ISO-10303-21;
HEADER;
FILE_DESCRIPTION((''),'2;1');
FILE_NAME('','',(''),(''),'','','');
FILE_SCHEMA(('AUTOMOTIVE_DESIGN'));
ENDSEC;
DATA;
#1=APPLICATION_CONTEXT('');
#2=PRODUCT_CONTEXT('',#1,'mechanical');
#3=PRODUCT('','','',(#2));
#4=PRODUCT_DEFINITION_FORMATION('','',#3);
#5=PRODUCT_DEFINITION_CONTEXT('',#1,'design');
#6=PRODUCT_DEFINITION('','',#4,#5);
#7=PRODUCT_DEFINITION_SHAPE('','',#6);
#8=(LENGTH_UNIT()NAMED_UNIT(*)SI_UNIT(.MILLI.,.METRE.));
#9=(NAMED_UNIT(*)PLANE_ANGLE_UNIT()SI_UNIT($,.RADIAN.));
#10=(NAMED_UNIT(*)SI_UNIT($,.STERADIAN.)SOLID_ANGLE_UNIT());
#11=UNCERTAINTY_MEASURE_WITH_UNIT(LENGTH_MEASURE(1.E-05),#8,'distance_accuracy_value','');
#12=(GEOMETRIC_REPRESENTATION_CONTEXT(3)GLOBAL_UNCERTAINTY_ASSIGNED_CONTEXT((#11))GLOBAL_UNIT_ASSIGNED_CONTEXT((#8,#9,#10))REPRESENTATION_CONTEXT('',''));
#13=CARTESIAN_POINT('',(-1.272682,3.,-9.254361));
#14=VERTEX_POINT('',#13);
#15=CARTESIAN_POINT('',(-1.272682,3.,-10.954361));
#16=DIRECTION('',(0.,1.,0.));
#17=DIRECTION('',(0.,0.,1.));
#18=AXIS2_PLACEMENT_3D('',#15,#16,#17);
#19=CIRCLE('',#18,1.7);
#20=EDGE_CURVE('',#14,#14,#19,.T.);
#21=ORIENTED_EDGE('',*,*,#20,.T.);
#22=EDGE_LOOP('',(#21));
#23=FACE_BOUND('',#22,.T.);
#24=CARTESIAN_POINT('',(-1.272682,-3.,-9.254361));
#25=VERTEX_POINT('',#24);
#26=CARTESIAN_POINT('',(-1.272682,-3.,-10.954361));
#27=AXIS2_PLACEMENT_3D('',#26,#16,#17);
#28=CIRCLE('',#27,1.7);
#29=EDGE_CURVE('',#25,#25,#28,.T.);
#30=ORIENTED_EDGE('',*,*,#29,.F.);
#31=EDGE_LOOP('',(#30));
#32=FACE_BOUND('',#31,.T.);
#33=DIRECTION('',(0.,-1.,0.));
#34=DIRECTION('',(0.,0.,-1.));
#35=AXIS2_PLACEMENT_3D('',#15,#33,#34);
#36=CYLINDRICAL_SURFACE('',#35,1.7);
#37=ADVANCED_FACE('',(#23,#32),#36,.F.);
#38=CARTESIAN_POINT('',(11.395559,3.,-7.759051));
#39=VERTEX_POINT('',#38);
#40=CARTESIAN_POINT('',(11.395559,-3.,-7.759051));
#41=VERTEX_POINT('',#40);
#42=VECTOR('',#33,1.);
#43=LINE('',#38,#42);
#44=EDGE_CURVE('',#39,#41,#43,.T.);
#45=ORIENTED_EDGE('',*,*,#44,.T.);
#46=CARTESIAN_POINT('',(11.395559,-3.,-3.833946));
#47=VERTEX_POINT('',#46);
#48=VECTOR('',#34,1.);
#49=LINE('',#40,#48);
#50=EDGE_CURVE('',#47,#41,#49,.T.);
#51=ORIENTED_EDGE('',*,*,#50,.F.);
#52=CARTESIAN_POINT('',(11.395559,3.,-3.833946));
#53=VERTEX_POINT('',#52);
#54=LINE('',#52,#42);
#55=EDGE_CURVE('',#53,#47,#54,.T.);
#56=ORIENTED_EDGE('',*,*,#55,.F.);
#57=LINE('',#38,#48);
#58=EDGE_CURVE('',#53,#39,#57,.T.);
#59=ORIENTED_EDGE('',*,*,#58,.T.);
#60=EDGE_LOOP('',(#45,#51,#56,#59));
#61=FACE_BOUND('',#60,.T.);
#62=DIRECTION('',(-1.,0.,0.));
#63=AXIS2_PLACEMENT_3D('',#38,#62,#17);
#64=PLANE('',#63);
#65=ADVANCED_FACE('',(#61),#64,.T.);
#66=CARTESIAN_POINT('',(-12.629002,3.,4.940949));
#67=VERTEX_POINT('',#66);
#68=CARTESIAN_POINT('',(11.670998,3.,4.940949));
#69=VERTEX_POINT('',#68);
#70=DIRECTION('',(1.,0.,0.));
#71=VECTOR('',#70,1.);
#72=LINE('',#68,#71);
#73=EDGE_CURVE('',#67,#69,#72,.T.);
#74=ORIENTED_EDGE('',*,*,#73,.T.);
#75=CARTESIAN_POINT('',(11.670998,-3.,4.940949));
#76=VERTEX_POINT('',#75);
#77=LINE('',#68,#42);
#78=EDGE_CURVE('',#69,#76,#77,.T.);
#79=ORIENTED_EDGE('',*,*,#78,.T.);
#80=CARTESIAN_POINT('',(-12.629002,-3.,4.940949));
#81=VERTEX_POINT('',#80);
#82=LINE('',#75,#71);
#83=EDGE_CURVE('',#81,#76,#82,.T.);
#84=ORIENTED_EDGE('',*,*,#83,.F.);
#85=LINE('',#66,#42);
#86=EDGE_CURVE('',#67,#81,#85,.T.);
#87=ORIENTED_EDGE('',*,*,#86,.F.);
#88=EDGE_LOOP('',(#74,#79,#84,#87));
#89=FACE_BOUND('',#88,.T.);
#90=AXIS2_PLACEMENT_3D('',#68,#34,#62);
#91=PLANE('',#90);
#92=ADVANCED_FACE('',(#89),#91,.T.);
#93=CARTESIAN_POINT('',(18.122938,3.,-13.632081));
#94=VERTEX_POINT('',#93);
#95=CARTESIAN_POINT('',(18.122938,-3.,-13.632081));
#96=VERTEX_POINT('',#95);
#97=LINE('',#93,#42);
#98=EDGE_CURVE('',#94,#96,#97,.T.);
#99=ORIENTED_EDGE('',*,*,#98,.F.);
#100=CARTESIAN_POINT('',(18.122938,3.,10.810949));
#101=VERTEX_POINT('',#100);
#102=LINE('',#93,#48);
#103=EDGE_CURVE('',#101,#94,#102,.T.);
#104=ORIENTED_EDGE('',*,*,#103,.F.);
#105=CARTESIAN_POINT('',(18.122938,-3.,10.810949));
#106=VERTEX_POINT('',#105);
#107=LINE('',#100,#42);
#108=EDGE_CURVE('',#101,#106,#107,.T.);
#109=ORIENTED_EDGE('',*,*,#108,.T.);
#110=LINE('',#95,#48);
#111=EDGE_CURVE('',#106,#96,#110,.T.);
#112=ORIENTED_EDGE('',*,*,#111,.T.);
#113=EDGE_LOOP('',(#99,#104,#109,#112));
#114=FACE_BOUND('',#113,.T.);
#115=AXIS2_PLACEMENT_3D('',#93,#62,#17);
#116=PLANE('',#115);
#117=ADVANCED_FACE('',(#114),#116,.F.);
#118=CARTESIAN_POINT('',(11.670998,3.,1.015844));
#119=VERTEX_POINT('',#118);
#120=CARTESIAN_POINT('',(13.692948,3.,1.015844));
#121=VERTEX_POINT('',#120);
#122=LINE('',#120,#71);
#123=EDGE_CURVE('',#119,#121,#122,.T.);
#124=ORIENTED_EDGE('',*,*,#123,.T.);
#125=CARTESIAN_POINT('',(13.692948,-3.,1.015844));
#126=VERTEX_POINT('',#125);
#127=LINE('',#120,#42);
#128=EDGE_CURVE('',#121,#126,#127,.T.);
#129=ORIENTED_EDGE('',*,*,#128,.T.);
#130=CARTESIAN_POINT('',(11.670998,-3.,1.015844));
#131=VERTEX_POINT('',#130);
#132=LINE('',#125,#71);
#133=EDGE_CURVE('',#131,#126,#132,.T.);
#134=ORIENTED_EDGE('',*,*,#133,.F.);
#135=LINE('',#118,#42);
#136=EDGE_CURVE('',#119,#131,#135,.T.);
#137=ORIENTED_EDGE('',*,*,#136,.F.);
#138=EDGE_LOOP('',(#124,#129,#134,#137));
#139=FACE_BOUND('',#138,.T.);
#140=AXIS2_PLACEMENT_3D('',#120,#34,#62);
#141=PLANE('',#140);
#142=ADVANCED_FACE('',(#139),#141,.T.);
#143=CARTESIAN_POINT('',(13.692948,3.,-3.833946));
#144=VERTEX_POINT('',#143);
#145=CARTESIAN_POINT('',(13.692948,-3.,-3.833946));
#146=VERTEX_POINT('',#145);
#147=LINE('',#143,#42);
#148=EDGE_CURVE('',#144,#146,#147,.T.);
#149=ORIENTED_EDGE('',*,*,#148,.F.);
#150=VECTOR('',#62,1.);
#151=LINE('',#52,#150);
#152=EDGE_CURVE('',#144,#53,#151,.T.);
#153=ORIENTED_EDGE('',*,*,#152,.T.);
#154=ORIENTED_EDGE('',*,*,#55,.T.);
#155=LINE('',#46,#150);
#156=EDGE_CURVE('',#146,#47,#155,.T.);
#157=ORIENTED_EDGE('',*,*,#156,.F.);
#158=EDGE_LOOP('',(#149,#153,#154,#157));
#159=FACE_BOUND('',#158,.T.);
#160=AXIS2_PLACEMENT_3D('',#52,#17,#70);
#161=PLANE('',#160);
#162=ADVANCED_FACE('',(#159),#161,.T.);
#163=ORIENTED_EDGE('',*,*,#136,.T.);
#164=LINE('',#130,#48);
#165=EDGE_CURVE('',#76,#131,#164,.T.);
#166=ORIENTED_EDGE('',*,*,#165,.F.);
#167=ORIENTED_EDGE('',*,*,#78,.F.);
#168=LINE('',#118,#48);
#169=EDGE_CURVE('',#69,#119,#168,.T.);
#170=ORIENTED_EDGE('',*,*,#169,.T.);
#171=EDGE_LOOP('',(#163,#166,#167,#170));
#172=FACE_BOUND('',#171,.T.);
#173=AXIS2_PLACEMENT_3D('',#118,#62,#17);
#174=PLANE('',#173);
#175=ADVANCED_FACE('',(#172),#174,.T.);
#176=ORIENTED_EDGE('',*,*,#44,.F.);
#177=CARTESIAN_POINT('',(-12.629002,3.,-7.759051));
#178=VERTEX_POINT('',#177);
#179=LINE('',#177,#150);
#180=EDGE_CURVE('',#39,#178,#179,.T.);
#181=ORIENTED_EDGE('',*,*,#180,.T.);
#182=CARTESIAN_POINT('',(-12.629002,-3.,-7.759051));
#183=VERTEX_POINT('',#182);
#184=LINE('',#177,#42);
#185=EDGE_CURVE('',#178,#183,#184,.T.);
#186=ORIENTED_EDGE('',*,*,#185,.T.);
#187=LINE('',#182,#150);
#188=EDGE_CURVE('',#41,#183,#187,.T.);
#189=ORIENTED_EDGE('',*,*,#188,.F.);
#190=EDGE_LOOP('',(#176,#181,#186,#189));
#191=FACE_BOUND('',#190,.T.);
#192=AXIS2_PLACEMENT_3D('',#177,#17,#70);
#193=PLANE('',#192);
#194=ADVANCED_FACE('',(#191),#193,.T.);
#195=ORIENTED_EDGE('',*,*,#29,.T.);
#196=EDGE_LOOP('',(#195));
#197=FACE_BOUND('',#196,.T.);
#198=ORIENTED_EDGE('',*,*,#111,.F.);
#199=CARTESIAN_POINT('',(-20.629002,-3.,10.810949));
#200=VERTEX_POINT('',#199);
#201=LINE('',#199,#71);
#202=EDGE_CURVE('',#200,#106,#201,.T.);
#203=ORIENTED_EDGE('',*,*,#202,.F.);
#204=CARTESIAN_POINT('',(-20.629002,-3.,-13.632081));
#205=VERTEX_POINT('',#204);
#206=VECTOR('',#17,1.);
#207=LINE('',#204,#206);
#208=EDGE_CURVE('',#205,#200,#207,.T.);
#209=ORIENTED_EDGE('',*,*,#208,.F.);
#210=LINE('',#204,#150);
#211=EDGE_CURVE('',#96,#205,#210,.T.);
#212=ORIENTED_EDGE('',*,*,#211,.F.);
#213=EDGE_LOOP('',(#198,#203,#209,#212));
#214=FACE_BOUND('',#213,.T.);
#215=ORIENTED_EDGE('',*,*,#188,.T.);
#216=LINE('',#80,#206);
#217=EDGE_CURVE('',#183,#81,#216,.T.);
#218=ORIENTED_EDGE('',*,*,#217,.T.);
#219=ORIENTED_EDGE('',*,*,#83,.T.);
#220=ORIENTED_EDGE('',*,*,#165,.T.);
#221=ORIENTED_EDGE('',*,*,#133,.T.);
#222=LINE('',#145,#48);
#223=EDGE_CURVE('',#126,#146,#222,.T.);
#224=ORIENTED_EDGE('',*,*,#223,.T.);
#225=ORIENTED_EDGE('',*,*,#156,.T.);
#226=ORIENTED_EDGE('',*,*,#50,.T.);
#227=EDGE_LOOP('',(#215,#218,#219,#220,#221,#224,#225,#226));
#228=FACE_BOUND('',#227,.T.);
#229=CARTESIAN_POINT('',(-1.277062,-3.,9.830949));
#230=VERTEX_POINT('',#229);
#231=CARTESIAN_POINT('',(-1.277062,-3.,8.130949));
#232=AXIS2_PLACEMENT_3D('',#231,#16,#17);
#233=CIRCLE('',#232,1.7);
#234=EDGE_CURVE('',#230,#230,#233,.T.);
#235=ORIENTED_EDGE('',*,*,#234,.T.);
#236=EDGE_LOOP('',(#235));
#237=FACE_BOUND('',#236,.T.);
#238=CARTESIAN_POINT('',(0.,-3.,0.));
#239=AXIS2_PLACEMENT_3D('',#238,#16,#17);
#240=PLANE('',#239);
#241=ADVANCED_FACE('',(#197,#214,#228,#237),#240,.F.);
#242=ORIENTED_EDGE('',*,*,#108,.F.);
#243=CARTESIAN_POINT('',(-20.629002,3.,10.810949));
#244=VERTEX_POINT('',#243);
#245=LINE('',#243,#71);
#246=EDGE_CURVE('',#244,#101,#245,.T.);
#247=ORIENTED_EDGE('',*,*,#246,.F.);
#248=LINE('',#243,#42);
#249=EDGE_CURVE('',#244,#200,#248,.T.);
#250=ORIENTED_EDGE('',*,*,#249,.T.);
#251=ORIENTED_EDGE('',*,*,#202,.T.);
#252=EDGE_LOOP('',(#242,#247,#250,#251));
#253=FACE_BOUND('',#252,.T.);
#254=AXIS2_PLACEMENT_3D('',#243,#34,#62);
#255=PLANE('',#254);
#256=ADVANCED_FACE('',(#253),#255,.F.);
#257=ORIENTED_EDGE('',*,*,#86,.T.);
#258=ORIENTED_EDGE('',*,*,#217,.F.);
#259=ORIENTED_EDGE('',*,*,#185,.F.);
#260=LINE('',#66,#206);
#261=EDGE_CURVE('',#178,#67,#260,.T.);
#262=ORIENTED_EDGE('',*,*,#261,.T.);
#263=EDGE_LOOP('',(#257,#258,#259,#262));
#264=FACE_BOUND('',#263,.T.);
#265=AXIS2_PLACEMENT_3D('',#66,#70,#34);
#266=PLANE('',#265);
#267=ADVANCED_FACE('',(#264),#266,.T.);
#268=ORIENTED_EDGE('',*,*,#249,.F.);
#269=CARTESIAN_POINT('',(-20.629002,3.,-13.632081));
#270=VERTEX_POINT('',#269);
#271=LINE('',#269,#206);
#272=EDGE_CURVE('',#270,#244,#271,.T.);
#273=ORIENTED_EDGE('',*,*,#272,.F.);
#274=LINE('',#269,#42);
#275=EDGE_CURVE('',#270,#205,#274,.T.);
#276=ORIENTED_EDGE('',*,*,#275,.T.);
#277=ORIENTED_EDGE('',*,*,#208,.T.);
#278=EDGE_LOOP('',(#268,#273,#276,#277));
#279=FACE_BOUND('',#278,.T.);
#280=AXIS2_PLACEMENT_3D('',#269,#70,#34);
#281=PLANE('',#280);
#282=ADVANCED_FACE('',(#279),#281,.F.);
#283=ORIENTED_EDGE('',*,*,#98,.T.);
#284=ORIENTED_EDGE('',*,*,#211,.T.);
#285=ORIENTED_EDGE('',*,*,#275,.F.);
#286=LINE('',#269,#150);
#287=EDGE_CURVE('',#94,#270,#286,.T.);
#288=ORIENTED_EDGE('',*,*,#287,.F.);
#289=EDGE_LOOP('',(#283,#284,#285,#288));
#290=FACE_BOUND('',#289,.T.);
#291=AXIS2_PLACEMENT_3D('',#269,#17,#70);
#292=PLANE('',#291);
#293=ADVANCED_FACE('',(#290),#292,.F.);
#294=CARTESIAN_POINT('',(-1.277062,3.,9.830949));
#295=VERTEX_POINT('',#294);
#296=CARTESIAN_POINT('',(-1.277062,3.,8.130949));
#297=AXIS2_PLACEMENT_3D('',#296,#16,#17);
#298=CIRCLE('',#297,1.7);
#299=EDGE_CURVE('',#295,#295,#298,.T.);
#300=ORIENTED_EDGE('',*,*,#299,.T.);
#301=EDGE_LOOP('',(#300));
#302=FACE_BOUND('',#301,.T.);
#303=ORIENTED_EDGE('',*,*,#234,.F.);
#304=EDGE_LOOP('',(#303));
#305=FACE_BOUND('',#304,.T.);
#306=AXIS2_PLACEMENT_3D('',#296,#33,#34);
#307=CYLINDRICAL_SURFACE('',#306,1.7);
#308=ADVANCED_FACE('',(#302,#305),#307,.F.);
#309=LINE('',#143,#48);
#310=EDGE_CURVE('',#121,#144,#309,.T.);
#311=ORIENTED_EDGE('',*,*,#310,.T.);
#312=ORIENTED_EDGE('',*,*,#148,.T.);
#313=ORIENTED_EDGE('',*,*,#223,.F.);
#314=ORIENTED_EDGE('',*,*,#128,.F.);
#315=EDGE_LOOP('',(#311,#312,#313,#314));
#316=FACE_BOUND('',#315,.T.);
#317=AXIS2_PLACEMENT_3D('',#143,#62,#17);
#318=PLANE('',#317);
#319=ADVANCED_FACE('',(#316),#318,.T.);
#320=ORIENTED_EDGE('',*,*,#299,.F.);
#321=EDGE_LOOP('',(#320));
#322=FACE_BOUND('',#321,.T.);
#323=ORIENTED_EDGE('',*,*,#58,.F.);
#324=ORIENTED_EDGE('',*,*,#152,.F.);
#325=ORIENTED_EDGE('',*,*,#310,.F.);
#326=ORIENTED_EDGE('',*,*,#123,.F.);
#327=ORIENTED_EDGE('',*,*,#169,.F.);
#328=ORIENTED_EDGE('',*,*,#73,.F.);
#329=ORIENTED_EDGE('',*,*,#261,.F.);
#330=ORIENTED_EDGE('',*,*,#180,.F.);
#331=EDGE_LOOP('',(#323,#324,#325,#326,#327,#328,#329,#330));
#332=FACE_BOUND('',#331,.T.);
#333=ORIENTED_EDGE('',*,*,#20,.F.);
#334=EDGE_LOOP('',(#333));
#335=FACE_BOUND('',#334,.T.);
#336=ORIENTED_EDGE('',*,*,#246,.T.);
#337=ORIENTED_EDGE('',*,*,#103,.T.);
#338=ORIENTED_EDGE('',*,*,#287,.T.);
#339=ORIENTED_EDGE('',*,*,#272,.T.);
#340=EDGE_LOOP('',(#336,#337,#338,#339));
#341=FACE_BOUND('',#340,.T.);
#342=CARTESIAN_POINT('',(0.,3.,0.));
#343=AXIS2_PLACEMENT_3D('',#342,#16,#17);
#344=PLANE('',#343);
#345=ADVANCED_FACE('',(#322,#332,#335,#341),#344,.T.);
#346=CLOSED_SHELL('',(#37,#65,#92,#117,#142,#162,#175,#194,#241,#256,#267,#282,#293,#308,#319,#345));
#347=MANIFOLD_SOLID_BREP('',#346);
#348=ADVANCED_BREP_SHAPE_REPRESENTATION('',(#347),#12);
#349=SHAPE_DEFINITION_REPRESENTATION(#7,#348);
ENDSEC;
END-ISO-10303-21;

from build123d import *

# Parameters (mm, degrees)
SKETCH2_W           = 38.75194
SKETCH2_H           = 24.44303
SKETCH2_R           = 1.7
BOSS_EXTRUDE1_DEPTH = 3


with BuildPart() as part:
    # Sketch2 → Boss-Extrude1 (new, symmetric)
    with BuildSketch(Plane(origin=(0, 0, 0), x_dir=(1, 0, 0), z_dir=(0, 1, 0))):
        with Locations((-1.253031638, 1.410566346)):
            Rectangle(SKETCH2_W, SKETCH2_H)
        with Locations(Location((-1.272682118, 10.954361346, 0), (0, 0, 270))):
            Circle(SKETCH2_R, mode=Mode.SUBTRACT)
        with Locations(Location((-1.277061638, -8.130948654, 0), (0, 0, 270))):
            Circle(SKETCH2_R, mode=Mode.SUBTRACT)
        Polygon((-12.629001638, 7.759051346), (11.395558827, 7.759051346), (11.395558827, 3.833946346), (13.692948362, 3.833946346), (13.692948362, -1.015843654), (11.670998362, -1.015843654), (11.670998362, -4.940948654), (-12.629001638, -4.940948654), align=None, mode=Mode.SUBTRACT)
    extrude(amount=BOSS_EXTRUDE1_DEPTH, both=True)


solid = part.part
